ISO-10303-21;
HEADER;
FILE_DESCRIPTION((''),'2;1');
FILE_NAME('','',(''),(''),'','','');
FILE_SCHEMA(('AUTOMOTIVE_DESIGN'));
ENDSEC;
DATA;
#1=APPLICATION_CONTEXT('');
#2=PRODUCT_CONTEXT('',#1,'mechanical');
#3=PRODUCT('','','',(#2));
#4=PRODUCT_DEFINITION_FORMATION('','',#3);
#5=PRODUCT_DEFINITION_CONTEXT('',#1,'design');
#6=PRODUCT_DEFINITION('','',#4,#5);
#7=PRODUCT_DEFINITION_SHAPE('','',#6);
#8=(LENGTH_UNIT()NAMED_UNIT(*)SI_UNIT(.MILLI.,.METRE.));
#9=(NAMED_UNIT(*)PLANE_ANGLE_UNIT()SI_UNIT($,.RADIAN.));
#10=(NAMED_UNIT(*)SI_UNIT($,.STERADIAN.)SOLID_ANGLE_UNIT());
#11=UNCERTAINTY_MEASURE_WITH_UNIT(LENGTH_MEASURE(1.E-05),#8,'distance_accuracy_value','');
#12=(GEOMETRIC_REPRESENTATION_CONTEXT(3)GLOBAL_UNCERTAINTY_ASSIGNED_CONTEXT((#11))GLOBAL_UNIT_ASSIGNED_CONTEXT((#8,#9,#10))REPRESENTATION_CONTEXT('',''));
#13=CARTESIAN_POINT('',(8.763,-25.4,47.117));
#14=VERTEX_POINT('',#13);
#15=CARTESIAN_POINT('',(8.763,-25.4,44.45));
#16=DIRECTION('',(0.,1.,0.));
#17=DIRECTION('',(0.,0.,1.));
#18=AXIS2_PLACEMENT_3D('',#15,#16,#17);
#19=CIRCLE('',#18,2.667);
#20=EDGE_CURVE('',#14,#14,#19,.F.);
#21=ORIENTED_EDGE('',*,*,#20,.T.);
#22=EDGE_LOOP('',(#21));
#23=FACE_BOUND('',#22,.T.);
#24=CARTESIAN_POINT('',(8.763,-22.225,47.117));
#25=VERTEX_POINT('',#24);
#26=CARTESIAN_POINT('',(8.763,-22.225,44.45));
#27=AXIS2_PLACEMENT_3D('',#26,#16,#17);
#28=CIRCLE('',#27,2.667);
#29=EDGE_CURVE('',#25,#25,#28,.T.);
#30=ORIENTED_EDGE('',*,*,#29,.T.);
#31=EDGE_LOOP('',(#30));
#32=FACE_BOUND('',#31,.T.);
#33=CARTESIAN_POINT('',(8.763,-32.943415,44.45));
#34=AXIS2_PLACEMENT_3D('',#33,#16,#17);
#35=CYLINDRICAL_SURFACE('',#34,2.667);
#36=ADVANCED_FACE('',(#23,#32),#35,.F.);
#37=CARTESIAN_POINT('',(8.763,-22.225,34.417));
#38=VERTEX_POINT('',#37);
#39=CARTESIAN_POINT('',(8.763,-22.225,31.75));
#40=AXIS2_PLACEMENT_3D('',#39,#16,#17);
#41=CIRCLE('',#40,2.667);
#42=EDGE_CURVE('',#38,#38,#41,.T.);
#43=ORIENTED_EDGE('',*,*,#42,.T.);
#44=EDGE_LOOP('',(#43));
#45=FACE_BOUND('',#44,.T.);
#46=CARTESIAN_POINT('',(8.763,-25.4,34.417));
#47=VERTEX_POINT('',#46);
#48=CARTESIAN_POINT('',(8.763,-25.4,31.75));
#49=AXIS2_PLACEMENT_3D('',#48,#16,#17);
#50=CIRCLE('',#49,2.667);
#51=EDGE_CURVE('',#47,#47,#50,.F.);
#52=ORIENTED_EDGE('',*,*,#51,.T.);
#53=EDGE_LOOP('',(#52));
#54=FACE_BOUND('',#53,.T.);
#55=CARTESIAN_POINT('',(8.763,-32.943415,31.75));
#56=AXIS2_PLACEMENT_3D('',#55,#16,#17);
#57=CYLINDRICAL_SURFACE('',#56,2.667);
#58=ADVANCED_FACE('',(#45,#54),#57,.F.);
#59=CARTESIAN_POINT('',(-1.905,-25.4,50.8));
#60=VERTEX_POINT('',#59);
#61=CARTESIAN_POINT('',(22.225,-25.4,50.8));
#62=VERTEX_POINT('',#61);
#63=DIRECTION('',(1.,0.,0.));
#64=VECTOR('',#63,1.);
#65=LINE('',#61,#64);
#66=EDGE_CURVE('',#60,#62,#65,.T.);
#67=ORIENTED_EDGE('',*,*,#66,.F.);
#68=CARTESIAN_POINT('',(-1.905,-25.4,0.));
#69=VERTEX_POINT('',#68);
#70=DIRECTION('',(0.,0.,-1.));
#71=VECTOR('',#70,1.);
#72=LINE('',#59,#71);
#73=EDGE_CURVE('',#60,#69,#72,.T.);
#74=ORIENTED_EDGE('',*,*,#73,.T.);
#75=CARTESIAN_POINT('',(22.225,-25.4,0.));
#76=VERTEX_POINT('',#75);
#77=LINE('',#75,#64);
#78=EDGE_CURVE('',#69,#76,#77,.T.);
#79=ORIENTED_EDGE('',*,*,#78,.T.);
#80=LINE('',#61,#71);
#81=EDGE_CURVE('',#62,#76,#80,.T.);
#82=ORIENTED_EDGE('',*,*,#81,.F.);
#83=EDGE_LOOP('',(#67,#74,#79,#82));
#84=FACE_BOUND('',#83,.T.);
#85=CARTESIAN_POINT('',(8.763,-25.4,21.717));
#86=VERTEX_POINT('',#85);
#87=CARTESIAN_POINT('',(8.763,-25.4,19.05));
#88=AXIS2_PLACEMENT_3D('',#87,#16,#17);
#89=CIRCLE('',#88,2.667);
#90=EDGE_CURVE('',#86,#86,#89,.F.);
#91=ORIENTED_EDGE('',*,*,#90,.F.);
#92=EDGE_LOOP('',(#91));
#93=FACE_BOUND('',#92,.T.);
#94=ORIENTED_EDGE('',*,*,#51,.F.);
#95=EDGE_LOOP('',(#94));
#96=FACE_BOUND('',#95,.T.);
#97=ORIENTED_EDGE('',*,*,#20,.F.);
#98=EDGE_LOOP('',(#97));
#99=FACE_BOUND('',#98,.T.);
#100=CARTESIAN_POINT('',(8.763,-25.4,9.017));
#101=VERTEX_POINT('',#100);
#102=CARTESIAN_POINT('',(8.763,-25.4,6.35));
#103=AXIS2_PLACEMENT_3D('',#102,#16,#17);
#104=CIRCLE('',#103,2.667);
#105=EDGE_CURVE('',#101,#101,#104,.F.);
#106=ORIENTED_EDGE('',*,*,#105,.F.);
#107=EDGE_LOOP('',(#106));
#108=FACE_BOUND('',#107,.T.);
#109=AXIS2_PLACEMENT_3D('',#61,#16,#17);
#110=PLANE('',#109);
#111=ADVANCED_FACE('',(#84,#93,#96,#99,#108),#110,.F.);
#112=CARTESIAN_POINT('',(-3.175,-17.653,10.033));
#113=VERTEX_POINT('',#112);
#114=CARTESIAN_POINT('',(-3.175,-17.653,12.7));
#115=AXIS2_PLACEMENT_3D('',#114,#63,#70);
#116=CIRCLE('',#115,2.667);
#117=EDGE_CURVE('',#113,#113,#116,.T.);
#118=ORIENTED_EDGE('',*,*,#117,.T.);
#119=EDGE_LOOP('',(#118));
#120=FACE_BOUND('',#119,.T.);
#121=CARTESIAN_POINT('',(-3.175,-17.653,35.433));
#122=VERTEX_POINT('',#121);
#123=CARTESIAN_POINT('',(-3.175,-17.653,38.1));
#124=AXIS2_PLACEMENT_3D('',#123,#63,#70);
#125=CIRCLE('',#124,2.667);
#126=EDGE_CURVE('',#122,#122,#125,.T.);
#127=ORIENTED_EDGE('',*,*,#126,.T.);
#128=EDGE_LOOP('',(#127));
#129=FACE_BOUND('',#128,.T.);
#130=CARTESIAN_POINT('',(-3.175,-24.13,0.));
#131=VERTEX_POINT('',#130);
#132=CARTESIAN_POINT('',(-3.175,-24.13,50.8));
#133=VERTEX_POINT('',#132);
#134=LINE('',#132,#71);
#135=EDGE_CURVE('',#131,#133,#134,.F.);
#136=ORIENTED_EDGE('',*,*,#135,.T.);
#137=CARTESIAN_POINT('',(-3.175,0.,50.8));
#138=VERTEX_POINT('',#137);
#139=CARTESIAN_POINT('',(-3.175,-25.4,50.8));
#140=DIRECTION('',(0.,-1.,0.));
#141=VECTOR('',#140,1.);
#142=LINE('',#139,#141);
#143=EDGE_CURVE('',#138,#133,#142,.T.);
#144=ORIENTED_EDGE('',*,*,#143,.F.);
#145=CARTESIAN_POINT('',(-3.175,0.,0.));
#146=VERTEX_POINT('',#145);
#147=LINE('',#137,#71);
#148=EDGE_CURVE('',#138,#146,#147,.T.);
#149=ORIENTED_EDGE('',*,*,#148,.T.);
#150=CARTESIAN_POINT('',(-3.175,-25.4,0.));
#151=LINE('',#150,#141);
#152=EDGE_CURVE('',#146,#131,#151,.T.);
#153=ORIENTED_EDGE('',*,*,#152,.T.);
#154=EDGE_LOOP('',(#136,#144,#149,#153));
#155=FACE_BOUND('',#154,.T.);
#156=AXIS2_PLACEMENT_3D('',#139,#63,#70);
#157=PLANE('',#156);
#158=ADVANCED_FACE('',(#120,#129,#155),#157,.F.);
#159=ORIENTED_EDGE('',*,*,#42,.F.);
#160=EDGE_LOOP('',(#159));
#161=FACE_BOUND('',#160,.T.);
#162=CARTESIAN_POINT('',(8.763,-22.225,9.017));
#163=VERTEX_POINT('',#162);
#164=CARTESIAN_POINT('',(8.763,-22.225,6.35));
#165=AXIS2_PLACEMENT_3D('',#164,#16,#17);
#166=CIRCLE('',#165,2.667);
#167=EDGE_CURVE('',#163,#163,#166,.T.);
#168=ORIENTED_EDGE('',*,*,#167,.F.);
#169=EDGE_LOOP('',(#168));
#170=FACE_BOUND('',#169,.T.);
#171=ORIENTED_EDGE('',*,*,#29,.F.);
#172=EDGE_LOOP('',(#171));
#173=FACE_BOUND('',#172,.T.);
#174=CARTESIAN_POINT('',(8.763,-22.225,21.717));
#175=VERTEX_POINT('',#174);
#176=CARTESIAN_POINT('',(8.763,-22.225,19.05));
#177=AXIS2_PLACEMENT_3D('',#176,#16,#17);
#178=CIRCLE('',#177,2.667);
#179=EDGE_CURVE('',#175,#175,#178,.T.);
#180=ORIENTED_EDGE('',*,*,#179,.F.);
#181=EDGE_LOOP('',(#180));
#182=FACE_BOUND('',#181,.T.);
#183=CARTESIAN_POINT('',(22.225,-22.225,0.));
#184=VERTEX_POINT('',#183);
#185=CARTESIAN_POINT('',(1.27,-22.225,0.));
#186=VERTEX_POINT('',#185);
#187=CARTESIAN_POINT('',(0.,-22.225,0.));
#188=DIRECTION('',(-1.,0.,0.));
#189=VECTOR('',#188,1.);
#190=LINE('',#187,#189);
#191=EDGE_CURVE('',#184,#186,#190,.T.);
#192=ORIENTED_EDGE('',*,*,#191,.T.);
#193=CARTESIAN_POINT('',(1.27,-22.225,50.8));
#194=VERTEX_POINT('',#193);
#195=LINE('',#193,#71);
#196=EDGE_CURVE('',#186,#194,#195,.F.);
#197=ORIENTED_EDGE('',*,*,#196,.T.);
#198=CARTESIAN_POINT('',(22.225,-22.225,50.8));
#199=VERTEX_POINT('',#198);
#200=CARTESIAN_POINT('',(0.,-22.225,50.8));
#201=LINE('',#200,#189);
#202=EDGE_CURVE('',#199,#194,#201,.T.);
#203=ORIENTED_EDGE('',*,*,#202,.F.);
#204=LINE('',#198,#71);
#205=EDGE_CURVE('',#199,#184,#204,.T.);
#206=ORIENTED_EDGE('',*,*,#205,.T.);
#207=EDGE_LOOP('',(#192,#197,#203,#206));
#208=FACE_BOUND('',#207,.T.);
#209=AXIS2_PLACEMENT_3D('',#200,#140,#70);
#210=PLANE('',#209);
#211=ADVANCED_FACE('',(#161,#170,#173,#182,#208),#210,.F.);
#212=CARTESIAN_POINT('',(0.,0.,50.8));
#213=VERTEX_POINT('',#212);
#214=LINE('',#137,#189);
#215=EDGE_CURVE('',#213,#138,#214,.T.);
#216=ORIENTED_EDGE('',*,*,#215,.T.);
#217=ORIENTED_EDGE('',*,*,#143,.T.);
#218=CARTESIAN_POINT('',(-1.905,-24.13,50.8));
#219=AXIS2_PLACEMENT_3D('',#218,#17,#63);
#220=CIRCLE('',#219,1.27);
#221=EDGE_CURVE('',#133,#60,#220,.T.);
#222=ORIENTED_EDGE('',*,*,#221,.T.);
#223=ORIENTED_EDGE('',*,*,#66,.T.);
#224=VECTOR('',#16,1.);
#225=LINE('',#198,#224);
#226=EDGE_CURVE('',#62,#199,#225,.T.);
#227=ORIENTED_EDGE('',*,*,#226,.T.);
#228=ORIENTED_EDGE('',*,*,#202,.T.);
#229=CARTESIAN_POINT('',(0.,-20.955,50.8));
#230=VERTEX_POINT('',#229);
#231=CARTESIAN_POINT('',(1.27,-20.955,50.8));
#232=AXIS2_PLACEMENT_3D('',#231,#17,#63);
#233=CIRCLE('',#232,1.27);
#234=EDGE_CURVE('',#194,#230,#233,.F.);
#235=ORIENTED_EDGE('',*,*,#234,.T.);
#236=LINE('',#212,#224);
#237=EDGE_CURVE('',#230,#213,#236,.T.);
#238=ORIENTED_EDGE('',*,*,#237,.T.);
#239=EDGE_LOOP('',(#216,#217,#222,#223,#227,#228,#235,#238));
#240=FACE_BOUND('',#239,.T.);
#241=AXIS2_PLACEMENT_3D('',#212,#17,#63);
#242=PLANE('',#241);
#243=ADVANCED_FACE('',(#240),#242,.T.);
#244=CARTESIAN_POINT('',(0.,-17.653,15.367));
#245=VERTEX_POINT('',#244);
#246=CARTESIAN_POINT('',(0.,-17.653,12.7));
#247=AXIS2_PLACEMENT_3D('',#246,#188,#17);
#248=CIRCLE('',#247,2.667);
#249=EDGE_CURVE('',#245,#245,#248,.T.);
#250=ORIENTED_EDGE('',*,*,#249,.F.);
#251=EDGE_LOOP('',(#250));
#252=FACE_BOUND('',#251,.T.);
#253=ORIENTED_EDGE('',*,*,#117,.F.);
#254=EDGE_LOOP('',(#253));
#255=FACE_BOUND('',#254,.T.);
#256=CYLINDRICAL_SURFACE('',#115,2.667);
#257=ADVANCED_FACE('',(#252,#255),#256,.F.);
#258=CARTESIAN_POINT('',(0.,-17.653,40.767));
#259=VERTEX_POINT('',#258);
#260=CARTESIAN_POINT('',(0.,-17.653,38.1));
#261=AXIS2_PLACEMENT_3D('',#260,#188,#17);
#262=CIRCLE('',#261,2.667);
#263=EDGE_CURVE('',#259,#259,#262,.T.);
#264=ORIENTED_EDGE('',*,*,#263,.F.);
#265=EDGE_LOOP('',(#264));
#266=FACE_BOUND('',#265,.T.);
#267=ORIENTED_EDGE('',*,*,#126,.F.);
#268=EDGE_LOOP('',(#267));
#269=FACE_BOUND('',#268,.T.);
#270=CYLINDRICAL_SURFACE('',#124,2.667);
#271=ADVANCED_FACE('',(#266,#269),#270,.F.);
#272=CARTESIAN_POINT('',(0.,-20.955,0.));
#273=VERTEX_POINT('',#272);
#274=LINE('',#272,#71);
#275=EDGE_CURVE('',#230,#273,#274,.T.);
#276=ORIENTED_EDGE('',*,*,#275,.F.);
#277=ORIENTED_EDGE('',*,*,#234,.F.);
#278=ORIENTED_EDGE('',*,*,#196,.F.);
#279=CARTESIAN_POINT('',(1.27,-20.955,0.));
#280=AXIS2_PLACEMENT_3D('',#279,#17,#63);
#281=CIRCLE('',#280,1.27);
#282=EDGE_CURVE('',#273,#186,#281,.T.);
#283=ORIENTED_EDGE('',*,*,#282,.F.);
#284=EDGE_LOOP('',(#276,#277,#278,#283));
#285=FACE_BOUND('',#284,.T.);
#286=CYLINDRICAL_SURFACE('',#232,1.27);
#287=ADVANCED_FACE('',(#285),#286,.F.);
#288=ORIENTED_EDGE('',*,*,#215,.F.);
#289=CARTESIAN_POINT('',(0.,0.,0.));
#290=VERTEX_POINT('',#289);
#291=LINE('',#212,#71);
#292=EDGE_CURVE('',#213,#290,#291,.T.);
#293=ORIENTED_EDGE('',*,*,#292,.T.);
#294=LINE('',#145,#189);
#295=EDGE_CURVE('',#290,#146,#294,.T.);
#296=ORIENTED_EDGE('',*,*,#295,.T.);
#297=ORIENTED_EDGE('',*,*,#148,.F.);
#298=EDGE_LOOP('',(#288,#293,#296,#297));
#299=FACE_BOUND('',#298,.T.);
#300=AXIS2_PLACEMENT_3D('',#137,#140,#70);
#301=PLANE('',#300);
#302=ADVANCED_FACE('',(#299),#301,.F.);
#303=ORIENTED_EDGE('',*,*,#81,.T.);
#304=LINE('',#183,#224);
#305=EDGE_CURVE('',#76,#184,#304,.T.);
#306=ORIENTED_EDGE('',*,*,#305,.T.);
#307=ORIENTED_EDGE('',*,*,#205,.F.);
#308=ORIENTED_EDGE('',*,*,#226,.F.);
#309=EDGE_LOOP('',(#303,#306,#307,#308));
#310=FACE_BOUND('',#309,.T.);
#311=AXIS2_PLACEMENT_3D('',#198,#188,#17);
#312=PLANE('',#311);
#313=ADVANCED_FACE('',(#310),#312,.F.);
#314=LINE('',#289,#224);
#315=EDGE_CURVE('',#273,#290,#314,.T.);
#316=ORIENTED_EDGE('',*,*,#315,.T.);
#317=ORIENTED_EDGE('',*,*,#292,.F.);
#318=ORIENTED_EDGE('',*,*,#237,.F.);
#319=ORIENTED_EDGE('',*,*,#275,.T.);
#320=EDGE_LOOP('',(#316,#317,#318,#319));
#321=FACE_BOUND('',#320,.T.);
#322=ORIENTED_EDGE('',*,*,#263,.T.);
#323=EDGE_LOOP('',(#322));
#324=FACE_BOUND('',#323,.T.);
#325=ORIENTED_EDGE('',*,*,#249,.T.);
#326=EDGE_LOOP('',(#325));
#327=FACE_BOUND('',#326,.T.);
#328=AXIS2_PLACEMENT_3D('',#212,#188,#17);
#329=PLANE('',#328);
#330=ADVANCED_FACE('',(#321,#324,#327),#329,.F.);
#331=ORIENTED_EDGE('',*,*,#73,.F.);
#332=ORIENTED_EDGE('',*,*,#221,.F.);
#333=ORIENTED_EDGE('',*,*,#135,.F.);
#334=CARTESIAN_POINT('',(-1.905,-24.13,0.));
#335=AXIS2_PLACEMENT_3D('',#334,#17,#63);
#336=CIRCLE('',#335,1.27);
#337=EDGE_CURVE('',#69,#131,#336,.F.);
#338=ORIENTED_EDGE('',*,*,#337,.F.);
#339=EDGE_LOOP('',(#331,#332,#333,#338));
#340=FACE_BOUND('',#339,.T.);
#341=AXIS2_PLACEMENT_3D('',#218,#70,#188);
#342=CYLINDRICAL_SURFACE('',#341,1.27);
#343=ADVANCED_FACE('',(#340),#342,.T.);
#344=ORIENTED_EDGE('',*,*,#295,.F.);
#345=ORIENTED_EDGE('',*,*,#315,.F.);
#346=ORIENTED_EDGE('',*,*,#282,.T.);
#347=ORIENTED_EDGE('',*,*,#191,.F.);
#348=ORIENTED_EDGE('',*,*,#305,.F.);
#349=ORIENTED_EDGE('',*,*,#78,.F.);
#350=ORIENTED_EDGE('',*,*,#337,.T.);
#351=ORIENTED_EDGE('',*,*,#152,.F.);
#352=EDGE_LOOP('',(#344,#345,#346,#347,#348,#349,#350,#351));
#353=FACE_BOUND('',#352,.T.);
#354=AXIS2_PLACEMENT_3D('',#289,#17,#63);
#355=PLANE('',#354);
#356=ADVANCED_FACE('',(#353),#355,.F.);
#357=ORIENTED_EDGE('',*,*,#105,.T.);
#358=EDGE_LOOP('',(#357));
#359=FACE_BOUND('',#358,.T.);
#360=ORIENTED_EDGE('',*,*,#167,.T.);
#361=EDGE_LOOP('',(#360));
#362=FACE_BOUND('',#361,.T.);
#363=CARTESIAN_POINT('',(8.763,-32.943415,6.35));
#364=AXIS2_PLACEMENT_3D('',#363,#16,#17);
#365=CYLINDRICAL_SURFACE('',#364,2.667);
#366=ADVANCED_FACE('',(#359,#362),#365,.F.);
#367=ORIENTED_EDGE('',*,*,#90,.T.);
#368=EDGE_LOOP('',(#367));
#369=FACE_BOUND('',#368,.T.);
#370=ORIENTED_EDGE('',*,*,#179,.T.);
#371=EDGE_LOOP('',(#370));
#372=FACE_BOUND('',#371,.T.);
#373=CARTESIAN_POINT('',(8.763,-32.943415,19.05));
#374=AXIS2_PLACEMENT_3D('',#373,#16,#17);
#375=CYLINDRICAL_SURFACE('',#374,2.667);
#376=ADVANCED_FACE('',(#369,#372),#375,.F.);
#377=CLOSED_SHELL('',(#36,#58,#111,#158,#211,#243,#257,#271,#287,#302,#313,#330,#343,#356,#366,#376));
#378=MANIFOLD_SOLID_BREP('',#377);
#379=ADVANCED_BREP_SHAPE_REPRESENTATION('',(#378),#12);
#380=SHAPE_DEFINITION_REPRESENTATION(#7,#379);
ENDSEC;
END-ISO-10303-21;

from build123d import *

# Parameters (mm, degrees)
BOSS_EXTRUDE1_DEPTH     = 50.8
SKETCH2_R               = 2.667
CUT_EXTRUDE1_DEPTH      = 23.225
CUT_EXTRUDE1_DEPTH_BACK = 4.175
SKETCH3_R               = 2.667
CUT_EXTRUDE2_DEPTH      = 3.175
FILLET1_R               = 1.27
FILLET2_R               = 1.27


with BuildPart() as part:
    # Sketch1 → Boss-Extrude1 (new body)
    with BuildSketch(Plane.XY):
        Polygon((0, -22.225), (22.225, -22.225), (22.225, -25.4), (-3.175, -25.4), (-3.175, 0), (0, 0), align=None)
    extrude(amount=BOSS_EXTRUDE1_DEPTH)

    # Sketch2 → Cut-Extrude1 (cut, two sides)
    with BuildSketch(Plane(origin=(0, 0, 0), x_dir=(0, 0, -1), z_dir=(1, 0, 0))) as cut_extrude1_sk:
        with Locations((-38.1, -17.653)):
            Circle(SKETCH2_R)
        with Locations((-12.7, -17.653)):
            Circle(SKETCH2_R)
    extrude(amount=CUT_EXTRUDE1_DEPTH, mode=Mode.SUBTRACT)
    extrude(cut_extrude1_sk.sketch, amount=-CUT_EXTRUDE1_DEPTH_BACK, mode=Mode.SUBTRACT)

    # Sketch3 → Cut-Extrude2 (cut)
    with BuildSketch(Plane(origin=(0, -22.225, 0), x_dir=(1, 0, 0), z_dir=(0, 1, 0))):
        with Locations((8.763, -44.45)):
            Circle(SKETCH3_R)
        with Locations((8.763, -31.75)):
            Circle(SKETCH3_R)
        with Locations((8.763, -19.05)):
            Circle(SKETCH3_R)
        with Locations((8.763, -6.35)):
            Circle(SKETCH3_R)
    extrude(amount=-CUT_EXTRUDE2_DEPTH, mode=Mode.SUBTRACT)

    # Fillet1
    fillet1_edges = [part.edges().sort_by_distance(p)[0] for p in [
        (0, -22.225, 25.4),
    ]]
    fillet(fillet1_edges, radius=FILLET1_R)

    # Fillet2
    fillet2_edges = [part.edges().sort_by_distance(p)[0] for p in [
        (-3.175, -25.4, 25.4),
    ]]
    fillet(fillet2_edges, radius=FILLET2_R)


solid = part.part
